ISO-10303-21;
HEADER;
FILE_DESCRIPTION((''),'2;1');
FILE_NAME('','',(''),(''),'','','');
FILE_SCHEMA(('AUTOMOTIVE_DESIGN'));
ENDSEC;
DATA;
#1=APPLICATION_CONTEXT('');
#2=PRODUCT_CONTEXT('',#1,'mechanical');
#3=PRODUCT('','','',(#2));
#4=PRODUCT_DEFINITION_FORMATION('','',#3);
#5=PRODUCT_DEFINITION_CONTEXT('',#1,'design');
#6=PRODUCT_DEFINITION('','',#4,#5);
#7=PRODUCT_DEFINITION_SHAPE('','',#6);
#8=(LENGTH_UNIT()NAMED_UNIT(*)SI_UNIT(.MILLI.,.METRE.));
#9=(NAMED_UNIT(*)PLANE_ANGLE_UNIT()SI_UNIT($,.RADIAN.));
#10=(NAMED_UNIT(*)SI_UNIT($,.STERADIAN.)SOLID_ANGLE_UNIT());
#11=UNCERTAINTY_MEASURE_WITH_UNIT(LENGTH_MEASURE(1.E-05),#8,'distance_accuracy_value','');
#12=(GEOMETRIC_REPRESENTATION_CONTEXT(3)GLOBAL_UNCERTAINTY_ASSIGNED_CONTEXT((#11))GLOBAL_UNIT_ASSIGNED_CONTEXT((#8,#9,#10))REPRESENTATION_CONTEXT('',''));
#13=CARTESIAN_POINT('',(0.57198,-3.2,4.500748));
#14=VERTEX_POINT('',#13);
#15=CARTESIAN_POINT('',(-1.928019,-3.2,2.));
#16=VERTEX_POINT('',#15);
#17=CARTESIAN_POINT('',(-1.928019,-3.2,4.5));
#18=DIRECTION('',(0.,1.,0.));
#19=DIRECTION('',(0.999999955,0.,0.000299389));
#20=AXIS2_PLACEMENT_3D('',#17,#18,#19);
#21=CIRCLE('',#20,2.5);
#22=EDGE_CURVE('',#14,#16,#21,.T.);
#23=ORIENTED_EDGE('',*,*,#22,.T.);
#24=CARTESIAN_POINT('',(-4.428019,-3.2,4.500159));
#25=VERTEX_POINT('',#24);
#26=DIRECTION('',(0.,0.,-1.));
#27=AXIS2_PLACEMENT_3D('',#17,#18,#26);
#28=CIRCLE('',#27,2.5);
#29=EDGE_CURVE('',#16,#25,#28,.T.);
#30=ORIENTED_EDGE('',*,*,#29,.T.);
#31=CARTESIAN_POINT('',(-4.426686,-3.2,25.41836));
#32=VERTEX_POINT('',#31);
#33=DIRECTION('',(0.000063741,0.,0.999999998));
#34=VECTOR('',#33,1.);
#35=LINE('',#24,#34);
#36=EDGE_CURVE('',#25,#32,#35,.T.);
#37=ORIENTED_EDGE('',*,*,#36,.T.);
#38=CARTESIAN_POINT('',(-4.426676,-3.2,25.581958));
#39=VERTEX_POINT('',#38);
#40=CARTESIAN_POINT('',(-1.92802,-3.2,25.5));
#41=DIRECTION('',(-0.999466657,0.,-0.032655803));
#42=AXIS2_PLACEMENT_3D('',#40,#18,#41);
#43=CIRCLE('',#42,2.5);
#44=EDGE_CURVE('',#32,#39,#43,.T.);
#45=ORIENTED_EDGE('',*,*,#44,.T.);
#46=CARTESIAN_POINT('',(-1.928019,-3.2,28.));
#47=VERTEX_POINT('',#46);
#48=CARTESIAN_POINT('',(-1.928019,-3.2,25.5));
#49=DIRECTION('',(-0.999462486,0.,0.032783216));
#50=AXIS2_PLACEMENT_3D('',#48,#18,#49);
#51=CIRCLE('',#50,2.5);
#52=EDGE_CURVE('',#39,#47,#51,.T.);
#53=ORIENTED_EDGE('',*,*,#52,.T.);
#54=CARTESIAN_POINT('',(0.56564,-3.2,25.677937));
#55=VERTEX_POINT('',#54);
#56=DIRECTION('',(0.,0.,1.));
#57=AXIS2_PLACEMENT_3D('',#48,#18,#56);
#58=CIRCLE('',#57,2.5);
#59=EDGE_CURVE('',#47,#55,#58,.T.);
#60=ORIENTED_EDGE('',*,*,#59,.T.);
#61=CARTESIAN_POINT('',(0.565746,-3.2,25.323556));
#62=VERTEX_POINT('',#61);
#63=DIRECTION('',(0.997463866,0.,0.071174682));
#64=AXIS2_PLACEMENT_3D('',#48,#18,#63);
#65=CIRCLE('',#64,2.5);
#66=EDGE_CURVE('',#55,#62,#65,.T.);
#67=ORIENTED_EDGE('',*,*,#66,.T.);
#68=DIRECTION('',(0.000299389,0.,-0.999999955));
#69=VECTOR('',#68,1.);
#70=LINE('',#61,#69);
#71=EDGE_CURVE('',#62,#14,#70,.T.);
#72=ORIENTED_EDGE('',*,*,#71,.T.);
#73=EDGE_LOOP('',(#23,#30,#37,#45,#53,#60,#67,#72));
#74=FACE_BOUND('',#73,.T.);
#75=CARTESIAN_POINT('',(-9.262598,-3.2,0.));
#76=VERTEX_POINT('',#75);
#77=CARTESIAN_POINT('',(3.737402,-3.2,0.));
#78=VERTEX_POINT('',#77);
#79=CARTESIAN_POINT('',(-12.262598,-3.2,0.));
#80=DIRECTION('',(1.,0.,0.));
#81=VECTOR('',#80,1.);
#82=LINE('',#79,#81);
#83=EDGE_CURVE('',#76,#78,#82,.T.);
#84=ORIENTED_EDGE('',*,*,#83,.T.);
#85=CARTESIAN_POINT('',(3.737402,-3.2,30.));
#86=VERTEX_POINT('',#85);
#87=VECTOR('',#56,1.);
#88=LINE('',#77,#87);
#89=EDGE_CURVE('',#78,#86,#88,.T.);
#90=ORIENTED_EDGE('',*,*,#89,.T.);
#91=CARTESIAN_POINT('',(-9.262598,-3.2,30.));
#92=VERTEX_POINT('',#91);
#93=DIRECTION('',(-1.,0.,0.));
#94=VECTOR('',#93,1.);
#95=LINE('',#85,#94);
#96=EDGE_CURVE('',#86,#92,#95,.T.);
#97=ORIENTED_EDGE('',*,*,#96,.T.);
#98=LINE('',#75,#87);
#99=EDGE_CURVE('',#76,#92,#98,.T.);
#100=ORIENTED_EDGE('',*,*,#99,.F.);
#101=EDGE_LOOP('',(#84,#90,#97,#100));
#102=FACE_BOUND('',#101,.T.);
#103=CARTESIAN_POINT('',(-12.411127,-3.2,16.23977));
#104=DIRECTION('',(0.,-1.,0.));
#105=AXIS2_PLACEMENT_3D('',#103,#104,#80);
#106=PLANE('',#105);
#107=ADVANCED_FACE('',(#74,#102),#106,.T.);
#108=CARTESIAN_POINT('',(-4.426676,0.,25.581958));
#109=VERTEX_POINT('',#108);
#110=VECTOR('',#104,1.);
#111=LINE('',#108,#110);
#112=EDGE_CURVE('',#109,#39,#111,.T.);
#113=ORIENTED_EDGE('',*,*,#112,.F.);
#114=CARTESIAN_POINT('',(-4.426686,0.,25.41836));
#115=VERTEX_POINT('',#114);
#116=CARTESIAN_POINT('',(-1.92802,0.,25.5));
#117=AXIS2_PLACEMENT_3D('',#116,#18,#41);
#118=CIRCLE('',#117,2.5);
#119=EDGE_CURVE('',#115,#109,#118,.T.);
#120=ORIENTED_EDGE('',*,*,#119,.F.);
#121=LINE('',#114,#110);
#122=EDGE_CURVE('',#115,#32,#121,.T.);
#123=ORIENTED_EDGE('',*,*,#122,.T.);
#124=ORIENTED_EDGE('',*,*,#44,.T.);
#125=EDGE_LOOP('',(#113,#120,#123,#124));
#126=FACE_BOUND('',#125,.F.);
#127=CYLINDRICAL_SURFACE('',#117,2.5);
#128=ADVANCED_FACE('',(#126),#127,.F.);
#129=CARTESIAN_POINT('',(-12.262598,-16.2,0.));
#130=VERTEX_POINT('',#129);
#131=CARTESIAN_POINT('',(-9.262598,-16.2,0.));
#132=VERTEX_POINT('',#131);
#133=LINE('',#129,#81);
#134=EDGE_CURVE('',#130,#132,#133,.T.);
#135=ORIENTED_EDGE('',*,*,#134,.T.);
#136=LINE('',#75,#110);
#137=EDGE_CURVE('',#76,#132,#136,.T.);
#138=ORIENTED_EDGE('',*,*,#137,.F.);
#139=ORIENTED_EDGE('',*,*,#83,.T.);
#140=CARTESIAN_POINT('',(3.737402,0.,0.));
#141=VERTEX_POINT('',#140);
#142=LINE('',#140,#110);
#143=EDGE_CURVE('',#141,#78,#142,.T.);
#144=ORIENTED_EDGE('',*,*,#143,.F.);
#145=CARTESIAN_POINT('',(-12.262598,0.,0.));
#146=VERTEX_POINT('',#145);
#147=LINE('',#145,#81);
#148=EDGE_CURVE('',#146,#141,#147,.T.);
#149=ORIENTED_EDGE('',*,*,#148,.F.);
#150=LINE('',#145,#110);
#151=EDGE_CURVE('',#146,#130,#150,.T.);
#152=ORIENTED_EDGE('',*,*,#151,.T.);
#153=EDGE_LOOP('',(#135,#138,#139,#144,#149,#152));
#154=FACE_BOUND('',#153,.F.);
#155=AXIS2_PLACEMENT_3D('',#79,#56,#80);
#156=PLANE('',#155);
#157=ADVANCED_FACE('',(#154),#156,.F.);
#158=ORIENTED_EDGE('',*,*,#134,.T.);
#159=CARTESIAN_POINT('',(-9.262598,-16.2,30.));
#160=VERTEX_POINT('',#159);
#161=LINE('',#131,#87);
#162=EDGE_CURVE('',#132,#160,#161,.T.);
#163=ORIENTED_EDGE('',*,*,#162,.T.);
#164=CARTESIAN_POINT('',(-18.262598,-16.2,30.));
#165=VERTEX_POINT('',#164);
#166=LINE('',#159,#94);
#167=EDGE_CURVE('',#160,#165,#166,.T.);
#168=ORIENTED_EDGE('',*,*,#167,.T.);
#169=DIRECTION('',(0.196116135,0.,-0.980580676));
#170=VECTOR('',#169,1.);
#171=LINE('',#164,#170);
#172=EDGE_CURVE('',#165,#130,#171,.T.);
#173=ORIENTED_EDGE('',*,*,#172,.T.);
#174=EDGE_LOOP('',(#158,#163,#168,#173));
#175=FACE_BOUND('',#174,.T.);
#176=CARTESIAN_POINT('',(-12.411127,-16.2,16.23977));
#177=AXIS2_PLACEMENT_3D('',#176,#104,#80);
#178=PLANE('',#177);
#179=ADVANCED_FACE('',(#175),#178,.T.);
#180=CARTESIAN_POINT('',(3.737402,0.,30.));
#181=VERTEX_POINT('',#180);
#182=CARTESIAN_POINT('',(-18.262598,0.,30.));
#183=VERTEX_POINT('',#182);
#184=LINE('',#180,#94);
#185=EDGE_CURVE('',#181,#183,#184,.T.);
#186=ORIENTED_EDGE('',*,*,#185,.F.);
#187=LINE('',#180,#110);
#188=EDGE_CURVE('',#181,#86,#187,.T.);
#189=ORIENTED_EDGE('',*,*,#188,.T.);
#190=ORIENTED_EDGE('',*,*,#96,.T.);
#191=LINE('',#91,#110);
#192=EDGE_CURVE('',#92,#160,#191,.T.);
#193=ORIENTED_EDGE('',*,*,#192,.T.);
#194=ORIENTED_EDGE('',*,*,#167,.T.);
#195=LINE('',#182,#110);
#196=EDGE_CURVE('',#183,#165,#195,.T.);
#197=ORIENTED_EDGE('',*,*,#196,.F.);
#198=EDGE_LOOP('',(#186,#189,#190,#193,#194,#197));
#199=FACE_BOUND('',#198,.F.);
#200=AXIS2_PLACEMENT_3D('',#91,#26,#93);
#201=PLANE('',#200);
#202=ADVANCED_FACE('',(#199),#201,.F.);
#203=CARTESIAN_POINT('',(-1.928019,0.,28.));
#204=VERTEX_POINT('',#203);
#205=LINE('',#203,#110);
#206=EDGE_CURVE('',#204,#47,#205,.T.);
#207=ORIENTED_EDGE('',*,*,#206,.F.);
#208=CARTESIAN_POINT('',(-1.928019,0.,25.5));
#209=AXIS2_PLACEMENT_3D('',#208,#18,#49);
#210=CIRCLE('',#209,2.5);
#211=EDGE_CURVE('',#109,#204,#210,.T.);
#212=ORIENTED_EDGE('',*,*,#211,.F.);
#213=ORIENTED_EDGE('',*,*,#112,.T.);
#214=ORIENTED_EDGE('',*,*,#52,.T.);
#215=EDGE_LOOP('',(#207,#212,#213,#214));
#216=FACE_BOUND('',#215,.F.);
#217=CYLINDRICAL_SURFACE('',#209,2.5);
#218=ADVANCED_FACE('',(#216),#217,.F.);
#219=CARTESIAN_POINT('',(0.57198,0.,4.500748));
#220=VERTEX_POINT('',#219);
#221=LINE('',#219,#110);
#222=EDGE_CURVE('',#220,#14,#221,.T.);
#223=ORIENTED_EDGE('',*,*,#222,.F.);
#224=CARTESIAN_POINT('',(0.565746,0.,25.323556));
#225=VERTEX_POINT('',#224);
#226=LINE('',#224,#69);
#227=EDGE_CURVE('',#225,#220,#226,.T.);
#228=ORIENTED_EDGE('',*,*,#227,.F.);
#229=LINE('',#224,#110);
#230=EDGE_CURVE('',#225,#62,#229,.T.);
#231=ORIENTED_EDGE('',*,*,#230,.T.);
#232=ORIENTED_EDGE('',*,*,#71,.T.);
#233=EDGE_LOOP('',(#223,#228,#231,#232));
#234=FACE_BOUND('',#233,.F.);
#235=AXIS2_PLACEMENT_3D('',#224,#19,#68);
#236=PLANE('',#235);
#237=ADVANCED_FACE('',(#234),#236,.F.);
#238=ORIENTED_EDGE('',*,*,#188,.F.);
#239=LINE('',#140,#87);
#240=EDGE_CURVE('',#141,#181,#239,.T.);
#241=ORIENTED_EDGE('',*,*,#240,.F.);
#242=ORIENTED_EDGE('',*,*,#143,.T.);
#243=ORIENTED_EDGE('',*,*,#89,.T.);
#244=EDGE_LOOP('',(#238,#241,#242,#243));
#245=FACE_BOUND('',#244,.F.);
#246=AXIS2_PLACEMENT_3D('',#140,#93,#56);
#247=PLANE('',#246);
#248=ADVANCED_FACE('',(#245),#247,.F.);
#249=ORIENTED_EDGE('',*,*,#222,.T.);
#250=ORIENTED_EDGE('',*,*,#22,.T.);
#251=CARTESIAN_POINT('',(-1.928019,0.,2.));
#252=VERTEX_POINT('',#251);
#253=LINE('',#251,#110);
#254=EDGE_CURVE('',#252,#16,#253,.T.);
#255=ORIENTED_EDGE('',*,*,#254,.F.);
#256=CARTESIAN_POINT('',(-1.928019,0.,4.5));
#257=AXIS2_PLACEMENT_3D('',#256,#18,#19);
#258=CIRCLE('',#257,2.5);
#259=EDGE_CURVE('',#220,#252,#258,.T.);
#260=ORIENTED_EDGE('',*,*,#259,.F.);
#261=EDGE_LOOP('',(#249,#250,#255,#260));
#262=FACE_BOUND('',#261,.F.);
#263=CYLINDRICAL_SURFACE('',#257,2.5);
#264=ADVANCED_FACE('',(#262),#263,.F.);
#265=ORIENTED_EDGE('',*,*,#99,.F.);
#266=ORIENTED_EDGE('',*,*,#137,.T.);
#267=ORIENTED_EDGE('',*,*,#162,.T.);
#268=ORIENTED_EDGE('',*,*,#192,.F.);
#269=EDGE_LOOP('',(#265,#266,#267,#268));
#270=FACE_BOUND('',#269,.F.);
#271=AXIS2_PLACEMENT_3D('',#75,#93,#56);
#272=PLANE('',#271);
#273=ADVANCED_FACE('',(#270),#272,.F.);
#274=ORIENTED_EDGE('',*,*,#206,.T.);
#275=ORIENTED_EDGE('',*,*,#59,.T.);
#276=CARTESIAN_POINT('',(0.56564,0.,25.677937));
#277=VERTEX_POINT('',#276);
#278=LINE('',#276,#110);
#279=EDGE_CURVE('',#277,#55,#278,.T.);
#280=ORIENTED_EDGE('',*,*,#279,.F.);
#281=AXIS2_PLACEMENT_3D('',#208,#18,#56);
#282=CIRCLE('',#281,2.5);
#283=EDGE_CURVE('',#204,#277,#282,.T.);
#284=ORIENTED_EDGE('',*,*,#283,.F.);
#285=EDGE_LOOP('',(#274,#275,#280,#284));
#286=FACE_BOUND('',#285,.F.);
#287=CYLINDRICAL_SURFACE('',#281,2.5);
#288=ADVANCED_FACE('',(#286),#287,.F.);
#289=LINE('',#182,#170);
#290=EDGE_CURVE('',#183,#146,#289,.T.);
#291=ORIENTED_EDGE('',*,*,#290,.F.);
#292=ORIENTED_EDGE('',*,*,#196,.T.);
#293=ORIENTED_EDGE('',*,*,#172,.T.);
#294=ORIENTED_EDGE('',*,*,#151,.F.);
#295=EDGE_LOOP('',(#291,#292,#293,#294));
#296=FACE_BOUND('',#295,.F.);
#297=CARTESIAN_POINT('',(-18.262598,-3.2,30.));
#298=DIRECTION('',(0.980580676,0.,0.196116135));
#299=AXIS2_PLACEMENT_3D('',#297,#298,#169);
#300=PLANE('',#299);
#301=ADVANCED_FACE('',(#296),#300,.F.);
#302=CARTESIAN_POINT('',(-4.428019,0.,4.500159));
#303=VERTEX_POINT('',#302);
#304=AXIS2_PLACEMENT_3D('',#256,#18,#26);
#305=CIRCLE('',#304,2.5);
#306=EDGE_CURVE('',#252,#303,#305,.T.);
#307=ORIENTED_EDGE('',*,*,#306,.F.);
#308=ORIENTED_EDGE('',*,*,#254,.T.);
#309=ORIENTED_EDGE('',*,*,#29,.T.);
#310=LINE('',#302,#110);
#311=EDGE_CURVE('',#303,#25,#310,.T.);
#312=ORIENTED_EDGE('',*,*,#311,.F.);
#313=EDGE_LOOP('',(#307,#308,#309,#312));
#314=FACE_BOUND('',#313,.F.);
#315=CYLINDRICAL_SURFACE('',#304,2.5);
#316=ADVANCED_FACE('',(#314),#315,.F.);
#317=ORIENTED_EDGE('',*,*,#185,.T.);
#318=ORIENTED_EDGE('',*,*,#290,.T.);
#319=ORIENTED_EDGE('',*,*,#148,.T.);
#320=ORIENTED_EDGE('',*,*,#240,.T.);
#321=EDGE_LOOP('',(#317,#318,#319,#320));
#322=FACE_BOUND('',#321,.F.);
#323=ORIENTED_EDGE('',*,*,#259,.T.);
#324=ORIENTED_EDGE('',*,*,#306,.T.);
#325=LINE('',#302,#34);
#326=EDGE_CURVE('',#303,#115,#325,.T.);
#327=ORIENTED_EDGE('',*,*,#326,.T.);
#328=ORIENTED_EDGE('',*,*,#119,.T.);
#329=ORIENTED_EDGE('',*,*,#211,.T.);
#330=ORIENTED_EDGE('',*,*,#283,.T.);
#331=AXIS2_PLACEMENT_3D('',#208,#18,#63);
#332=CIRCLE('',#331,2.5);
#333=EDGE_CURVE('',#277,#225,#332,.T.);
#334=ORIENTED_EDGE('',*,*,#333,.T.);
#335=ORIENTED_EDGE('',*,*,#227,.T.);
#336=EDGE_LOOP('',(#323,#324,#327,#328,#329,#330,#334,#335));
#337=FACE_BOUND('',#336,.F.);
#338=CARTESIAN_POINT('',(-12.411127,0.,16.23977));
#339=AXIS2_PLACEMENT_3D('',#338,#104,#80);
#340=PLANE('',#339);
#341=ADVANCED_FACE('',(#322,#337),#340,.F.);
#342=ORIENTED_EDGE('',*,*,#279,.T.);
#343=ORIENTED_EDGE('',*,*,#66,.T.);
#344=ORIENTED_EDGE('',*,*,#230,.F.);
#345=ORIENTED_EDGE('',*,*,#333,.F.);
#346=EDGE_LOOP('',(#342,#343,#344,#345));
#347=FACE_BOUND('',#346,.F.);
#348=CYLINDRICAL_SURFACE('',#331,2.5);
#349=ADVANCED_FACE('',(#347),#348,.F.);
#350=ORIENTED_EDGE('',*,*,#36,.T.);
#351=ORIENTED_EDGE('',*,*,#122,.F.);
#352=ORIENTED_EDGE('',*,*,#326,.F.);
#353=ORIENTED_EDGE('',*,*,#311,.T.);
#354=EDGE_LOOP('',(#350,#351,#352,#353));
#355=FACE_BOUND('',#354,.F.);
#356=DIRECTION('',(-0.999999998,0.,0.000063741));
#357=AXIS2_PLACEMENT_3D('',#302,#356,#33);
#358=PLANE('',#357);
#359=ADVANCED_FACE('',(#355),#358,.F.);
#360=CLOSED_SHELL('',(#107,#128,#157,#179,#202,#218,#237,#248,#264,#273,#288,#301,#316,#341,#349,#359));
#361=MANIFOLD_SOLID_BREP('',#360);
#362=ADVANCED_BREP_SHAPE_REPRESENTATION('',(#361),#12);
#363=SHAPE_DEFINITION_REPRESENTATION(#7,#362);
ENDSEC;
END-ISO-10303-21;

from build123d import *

# Parameters (mm, degrees)
F1_DEPTH = 3.2
F3_DEPTH = 13


with BuildPart() as f1:
    # F0 (on Front) → F1 (new body)
    with BuildSketch(Plane.XZ):
        Polygon((-12.2625976801, 0), (-9.2625976801, 0), (-9.2625976801, 30), (-18.2625976801, 30), align=None)
        with BuildLine():
            Line((-9.2625976801, 0), (-1.9280194538, 0))
            Line((-1.9280194538, 0), (-1.9280194538, 2))
            ThreePointArc((-1.9280194538, 2), (-3.6958427457, 2.7322893878), (-4.4280194487, 4.5001593531))
            Line((-4.4280194487, 4.5001593531), (-4.4266860964, 25.4183604945))
            ThreePointArc((-4.4266860964, 25.4183604945), (-4.4280194487, 25.5001593531), (-4.4266756685, 25.5819580411))
            ThreePointArc((-4.4266756685, 25.5819580411), (-3.6665684029, 27.296509825), (-1.9280194538, 28))
            Line((-1.9280194538, 28), (-1.9280194538, 30))
            Line((-1.9280194538, 30), (-9.2625976801, 30))
            Line((-9.2625976801, 30), (-9.2625976801, 0))
        make_face()
        with BuildLine():
            Line((-1.9280194538, 0), (3.7374023199, 0))
            Line((3.7374023199, 0), (3.7374023199, 30))
            Line((3.7374023199, 30), (-1.9280194538, 30))
            Line((-1.9280194538, 30), (-1.9280194538, 28))
            ThreePointArc((-1.9280194538, 28), (-0.2243237298, 27.3295958243), (0.5656402121, 25.6779367041))
            ThreePointArc((0.5656402121, 25.6779367041), (0.5719804342, 25.500748473), (0.5657463098, 25.3235564774))
            Line((0.5657463098, 25.3235564774), (0.5719804342, 4.500748473))
            ThreePointArc((0.5719804342, 4.500748473), (-0.1599878954, 2.732497692), (-1.9280194538, 2))
            Line((-1.9280194538, 2), (-1.9280194538, 0))
        make_face()
    extrude(amount=F1_DEPTH)

    # F2 (on face) → F3 (join)
    with BuildSketch(Plane.XZ.offset(3.2)):
        Polygon((-9.2625976801, 30), (-18.2625976801, 30), (-12.2625976801, 0), (-9.2625976801, 0), align=None)
    extrude(amount=F3_DEPTH)


solid = f1.part
